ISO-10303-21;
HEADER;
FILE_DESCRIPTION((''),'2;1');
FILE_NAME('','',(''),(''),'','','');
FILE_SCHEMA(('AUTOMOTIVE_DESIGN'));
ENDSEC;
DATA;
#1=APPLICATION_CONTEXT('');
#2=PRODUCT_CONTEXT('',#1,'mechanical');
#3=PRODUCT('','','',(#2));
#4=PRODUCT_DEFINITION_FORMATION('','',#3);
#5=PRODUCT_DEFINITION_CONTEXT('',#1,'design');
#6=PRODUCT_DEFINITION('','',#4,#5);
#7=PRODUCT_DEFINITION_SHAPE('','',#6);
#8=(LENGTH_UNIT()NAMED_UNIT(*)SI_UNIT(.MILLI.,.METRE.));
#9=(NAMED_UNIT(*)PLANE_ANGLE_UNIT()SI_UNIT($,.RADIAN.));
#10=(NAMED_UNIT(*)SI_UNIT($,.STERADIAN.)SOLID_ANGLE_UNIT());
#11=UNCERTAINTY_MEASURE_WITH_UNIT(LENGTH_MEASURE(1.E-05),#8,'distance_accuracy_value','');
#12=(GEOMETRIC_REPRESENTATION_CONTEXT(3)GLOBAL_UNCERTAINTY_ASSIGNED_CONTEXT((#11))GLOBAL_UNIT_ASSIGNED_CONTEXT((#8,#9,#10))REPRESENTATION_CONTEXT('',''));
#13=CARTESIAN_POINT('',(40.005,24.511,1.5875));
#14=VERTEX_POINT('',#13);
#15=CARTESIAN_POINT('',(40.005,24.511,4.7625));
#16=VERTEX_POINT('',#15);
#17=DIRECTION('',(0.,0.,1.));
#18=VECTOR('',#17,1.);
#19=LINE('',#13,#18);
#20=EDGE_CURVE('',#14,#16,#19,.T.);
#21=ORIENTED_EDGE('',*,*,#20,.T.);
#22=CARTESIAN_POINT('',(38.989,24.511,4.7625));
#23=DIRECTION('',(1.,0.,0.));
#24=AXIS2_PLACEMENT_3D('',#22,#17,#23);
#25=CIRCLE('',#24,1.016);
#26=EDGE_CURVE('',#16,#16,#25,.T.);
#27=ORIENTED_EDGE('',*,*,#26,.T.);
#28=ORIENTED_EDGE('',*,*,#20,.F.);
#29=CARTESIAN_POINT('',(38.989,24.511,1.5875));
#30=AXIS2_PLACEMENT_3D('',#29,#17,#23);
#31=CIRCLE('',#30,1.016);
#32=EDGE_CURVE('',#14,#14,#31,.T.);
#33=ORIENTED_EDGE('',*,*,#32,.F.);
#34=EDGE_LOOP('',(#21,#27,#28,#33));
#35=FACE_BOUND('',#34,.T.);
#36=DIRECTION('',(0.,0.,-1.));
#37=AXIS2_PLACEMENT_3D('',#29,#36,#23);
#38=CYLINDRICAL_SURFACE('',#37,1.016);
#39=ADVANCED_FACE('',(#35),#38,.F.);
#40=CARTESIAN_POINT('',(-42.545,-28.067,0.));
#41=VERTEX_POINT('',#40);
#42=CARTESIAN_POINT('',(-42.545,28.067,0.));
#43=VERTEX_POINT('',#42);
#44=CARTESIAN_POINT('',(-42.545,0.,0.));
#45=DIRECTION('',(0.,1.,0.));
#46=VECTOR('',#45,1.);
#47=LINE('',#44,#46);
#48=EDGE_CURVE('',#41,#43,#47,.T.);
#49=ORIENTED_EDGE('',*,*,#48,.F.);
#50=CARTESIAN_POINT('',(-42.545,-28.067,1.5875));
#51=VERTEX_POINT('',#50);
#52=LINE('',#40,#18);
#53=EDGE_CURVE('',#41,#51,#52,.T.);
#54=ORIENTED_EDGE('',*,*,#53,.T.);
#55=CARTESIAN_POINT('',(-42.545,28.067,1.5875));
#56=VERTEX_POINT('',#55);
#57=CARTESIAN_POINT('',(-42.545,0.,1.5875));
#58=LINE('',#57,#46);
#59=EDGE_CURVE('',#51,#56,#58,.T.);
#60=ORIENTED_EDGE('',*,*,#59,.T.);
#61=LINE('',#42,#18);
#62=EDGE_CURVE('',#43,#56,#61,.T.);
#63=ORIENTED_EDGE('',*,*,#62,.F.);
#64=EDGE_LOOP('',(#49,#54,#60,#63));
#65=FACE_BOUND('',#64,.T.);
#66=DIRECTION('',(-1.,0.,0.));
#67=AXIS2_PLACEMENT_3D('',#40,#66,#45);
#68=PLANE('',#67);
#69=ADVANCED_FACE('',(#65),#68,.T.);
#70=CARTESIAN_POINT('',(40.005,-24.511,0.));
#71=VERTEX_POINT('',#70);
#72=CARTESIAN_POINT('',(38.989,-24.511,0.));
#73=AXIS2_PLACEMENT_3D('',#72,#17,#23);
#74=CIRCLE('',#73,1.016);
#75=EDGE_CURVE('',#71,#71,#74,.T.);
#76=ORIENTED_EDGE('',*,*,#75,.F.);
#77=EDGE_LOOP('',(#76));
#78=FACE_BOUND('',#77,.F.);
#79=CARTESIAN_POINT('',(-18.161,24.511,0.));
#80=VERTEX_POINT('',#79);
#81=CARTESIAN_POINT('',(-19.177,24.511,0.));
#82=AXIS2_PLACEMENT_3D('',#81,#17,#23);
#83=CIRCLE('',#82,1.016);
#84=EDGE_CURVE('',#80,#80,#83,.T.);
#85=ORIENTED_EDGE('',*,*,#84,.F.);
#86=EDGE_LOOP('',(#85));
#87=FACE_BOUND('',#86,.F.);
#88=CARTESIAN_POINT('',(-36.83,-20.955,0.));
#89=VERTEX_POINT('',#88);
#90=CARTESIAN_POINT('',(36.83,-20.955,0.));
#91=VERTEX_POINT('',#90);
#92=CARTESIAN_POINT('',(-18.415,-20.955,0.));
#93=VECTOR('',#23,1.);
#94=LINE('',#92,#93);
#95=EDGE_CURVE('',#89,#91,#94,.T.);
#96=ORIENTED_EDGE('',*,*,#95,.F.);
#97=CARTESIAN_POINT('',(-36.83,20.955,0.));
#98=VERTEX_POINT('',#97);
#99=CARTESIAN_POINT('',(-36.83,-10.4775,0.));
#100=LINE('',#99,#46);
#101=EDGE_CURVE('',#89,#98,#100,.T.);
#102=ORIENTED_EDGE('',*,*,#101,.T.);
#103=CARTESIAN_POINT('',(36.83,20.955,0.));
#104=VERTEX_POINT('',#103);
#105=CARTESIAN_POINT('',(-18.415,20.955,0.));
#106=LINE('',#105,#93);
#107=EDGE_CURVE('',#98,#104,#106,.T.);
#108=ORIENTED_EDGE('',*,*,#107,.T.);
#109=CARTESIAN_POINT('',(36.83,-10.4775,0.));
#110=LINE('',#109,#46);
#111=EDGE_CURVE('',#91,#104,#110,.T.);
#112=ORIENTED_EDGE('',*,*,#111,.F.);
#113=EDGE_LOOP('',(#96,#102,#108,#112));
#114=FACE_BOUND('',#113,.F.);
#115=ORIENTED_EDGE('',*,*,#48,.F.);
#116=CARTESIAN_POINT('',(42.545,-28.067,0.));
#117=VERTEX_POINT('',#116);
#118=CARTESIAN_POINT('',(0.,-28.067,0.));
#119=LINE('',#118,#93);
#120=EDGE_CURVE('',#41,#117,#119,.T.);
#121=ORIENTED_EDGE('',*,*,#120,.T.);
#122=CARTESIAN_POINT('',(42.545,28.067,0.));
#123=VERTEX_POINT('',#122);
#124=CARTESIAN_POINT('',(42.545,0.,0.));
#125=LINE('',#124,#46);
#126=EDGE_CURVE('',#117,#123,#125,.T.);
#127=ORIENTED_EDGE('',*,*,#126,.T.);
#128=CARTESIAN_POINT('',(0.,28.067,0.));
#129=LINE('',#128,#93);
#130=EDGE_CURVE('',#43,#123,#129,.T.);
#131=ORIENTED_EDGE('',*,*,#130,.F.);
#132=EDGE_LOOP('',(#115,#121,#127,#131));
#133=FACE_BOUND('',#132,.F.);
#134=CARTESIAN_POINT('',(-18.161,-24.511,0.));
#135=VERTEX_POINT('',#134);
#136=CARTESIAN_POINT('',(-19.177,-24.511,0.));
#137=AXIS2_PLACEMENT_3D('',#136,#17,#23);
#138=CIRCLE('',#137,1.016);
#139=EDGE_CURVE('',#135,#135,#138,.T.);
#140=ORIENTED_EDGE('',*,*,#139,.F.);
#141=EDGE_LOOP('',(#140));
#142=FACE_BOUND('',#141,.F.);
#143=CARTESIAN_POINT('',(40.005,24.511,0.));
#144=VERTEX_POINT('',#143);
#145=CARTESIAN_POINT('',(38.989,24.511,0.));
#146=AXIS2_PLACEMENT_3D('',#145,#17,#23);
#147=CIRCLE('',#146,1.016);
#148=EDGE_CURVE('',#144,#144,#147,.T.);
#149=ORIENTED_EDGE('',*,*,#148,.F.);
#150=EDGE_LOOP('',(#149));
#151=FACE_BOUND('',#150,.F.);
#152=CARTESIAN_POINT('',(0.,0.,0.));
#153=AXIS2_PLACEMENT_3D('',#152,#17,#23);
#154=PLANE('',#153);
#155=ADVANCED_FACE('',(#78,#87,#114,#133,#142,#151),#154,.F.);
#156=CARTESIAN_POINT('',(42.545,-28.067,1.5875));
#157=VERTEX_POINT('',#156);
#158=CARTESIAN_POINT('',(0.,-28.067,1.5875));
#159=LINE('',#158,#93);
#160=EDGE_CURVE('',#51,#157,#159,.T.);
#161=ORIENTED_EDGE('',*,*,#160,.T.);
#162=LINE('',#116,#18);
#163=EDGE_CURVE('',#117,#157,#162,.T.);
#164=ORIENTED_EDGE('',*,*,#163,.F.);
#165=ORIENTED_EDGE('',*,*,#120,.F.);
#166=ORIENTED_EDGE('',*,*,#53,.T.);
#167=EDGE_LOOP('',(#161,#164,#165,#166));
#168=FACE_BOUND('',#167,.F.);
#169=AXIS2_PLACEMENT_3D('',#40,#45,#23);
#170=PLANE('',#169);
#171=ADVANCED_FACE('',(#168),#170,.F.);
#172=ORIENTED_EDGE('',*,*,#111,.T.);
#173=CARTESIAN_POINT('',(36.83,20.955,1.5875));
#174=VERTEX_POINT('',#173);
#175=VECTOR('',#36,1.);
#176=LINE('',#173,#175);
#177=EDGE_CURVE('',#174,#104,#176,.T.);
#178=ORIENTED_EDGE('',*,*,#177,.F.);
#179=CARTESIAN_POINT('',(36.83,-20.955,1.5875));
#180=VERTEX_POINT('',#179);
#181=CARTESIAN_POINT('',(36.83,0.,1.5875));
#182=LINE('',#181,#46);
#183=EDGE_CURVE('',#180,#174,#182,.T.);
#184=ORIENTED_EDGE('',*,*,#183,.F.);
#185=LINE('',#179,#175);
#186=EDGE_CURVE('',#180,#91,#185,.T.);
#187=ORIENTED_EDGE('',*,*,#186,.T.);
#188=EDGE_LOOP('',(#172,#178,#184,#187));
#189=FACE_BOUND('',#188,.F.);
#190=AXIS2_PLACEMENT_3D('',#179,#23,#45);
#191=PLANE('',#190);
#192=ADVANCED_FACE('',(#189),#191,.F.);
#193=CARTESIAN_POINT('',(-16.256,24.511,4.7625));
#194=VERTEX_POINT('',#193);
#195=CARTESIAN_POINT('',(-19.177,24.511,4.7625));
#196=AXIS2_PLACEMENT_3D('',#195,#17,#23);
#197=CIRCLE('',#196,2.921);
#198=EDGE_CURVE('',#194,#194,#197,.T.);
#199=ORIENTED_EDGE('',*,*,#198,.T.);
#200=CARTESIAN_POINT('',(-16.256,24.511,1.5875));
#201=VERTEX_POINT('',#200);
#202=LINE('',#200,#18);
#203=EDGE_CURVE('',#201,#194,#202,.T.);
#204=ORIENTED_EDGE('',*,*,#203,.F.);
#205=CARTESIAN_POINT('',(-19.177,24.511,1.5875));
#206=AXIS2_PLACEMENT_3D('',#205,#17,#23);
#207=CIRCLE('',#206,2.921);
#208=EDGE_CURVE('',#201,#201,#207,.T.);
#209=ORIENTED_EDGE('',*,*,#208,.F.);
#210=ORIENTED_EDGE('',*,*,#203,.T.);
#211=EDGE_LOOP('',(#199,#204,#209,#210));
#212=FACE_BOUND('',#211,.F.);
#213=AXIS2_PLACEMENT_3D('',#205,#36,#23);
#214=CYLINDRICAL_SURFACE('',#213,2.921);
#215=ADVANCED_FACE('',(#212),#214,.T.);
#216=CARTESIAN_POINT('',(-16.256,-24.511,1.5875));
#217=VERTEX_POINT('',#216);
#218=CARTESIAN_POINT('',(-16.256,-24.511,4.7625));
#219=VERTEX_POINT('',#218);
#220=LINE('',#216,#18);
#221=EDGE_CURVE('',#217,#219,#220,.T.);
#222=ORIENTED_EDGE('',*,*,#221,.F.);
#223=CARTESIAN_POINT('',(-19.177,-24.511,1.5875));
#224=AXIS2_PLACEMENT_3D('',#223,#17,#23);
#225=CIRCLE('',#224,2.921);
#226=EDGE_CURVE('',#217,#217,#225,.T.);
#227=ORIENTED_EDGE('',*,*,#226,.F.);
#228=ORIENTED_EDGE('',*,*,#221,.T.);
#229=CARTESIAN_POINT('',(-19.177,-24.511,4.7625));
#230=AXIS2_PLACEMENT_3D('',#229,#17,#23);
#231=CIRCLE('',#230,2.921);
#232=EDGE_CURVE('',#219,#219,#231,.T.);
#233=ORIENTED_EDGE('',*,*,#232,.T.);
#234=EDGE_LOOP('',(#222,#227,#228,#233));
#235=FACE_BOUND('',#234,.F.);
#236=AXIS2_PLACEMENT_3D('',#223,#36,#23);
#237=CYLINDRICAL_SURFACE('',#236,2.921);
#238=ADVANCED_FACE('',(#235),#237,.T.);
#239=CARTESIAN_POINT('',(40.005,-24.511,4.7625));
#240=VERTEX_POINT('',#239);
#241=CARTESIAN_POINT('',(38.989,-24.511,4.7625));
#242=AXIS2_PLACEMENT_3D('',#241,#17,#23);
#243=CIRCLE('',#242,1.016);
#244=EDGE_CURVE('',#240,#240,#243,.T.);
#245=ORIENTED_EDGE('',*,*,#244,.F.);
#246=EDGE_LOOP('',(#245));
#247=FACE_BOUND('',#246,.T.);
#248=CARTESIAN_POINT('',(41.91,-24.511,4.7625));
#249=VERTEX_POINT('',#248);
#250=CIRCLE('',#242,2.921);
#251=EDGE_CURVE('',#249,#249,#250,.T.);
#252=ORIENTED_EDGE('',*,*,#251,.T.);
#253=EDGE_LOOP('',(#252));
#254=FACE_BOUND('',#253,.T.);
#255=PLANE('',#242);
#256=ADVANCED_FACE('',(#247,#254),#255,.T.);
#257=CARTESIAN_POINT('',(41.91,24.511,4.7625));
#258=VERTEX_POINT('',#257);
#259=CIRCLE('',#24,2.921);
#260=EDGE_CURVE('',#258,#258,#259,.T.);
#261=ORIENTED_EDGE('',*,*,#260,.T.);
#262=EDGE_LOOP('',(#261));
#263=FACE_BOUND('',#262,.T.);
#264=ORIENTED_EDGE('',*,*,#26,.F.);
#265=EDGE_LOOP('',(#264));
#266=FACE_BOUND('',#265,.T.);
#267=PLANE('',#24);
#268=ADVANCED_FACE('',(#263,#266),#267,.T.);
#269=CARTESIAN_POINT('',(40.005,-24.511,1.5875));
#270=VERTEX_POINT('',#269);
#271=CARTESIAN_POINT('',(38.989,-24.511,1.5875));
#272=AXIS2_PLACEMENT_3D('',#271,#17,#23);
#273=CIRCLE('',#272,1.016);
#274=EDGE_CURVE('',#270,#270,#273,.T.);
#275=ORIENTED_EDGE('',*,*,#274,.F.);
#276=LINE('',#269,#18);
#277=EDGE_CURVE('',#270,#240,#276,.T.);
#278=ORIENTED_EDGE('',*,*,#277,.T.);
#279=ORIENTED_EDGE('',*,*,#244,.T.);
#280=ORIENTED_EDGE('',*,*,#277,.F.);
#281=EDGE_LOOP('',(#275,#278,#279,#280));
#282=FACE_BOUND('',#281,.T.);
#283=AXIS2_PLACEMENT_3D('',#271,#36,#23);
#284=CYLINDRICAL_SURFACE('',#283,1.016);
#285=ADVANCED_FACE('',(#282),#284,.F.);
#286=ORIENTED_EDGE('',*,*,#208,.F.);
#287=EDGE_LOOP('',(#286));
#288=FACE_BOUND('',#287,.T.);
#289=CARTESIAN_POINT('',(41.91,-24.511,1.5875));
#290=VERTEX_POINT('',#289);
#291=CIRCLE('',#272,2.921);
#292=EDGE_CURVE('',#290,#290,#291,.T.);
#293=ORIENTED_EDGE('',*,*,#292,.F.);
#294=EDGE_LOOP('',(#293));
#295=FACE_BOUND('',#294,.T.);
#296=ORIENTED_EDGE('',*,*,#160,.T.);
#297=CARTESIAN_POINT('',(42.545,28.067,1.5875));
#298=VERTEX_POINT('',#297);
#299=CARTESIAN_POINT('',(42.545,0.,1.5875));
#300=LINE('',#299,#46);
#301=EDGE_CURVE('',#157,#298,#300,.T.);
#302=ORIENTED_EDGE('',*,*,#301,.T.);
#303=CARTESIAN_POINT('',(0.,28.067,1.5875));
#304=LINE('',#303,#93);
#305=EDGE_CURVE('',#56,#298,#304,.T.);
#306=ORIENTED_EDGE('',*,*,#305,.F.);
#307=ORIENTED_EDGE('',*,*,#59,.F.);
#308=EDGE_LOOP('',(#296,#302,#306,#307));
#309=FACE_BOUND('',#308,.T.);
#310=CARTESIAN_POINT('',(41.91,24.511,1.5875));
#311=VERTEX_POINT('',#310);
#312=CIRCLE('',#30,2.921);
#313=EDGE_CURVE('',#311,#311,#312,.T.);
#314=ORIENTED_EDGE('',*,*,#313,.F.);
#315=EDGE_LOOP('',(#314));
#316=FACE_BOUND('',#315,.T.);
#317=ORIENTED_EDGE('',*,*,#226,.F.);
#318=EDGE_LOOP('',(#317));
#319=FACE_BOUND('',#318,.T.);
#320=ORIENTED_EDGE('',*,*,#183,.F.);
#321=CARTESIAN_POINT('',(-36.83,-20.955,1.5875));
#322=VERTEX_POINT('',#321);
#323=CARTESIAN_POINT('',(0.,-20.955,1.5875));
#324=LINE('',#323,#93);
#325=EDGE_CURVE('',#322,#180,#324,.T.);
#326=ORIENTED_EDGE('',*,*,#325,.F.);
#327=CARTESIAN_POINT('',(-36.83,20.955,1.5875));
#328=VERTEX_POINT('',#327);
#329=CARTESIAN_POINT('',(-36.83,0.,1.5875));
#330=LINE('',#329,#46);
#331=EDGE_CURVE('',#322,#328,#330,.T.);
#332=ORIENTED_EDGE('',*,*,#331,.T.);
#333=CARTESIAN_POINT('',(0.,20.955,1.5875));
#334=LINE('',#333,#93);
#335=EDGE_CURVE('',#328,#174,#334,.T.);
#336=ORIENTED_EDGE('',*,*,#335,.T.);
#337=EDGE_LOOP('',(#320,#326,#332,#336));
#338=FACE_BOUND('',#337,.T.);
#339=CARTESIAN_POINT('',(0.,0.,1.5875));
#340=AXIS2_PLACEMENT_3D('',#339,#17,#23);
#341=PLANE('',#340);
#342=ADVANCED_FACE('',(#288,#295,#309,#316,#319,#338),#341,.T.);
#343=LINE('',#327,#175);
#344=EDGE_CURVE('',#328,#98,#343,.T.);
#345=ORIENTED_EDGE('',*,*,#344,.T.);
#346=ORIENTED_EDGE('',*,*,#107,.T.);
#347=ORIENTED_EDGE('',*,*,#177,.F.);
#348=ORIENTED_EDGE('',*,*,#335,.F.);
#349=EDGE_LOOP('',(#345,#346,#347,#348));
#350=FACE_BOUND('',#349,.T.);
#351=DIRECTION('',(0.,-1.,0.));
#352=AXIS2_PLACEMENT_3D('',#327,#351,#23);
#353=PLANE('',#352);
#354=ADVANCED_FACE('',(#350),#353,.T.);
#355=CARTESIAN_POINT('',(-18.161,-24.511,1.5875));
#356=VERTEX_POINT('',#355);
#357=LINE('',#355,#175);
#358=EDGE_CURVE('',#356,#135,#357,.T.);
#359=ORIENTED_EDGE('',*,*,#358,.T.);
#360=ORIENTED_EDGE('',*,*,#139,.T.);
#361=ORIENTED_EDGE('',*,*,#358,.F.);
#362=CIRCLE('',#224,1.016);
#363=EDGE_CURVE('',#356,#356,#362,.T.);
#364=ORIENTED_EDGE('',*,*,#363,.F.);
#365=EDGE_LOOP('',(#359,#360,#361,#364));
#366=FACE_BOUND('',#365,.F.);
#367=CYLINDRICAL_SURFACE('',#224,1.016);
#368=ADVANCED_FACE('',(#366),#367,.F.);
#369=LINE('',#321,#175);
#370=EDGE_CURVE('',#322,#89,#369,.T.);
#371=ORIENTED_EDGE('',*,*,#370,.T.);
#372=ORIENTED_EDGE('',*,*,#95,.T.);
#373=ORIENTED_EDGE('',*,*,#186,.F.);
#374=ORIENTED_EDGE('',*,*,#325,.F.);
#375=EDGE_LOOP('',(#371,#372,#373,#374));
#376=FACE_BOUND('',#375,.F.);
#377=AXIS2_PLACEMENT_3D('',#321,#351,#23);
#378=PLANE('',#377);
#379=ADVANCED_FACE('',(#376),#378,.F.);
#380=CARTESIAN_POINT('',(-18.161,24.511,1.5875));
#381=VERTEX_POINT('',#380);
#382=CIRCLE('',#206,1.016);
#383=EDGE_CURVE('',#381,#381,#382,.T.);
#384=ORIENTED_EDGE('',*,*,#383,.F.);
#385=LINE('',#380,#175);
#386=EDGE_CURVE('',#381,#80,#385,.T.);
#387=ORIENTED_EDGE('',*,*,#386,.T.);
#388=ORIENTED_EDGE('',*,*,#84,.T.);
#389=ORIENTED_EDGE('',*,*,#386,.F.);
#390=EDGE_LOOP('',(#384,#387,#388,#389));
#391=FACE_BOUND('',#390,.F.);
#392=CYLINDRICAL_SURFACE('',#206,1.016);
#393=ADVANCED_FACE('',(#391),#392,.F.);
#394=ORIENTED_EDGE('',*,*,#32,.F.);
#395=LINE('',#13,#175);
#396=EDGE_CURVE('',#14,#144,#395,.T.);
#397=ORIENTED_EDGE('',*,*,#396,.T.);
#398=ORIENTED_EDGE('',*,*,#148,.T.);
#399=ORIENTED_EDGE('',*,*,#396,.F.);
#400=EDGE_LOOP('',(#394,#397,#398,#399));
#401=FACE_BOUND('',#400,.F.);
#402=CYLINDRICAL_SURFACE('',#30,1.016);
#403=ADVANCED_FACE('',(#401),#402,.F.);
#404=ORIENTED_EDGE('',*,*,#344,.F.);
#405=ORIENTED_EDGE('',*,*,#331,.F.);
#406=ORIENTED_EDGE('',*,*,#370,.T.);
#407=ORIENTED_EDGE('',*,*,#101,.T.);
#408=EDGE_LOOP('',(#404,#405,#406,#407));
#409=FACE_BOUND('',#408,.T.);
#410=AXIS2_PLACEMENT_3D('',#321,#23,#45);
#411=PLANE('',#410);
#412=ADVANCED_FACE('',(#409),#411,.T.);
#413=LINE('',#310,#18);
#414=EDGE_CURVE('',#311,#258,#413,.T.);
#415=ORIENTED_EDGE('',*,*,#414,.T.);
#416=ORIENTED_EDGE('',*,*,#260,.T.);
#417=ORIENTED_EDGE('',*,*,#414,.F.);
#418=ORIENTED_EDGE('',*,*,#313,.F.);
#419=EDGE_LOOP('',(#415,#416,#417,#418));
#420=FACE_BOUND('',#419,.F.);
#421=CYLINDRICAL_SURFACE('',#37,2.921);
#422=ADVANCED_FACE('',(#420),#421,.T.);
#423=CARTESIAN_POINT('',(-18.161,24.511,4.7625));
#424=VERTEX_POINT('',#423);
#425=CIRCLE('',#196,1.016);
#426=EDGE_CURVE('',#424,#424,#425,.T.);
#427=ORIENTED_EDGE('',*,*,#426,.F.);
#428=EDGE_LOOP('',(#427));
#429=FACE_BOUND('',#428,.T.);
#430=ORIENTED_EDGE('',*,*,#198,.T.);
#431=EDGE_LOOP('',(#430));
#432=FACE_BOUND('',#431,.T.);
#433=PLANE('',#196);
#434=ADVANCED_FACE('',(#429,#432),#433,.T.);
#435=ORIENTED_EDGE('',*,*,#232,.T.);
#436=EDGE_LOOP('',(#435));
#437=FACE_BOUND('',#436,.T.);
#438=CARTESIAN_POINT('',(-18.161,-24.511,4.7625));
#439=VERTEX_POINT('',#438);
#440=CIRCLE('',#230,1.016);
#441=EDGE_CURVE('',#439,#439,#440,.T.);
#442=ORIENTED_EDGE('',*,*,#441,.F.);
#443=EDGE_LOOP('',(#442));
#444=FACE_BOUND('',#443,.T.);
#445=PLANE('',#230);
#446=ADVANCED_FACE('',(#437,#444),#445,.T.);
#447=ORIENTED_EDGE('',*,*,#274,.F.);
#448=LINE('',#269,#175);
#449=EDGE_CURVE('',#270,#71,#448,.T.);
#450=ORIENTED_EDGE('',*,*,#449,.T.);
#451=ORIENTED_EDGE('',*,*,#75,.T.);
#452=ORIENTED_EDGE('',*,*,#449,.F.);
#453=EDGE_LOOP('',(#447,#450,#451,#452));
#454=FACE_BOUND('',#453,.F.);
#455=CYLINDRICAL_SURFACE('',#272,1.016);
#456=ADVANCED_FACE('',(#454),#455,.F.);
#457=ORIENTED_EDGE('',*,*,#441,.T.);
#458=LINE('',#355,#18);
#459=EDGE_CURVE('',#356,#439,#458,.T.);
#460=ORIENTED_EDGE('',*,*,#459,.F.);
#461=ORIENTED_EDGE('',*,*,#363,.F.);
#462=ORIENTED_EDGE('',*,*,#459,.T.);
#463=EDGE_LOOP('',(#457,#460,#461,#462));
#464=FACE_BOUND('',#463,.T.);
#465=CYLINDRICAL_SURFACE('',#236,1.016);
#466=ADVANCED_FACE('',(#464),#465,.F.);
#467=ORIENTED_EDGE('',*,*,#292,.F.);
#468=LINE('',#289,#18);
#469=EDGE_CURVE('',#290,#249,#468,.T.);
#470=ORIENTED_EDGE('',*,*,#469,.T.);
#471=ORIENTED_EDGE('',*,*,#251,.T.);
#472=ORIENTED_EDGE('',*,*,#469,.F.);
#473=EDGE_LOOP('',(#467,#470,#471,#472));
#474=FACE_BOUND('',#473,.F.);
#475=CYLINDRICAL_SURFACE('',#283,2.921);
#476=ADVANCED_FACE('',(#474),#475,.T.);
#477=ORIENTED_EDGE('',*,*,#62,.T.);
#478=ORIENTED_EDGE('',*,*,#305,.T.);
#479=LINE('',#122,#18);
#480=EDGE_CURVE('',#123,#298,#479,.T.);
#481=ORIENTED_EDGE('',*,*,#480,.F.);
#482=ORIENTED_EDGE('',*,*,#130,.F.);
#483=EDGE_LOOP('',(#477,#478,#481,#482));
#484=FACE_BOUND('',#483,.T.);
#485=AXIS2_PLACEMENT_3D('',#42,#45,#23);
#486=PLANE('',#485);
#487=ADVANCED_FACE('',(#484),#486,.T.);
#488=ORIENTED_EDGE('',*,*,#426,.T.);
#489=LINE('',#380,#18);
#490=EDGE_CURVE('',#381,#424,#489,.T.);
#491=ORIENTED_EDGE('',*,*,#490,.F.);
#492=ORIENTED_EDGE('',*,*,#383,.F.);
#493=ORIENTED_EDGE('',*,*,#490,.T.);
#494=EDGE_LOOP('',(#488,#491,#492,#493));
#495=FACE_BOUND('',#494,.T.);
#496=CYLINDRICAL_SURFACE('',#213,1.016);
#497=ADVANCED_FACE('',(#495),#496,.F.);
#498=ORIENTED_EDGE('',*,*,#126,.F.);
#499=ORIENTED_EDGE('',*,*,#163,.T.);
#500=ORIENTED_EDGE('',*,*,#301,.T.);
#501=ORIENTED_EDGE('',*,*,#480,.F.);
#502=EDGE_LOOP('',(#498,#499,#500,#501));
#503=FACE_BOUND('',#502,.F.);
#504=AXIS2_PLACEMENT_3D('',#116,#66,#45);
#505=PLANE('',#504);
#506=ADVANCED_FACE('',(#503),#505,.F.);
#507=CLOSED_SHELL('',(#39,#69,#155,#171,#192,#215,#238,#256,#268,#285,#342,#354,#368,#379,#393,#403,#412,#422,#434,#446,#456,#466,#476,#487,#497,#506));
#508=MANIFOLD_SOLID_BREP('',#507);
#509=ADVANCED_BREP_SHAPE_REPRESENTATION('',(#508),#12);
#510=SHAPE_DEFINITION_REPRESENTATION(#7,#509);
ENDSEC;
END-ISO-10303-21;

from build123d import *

# Parameters (mm, degrees)
F0_W     = 85.09
F0_H     = 56.134
F1_DEPTH = 1.5875
F2_W     = 73.66
F2_H     = 41.91
F3_DEPTH = 6.35
F4_R     = 2.921
F4_R_2   = 1.016
F5_DEPTH = 3.175
F6_DEPTH = 6.35


with BuildPart() as f1:
    # F0 (on Top) → F1 (new body)
    with BuildSketch(Plane.XY):
        Rectangle(F0_W, F0_H)
    extrude(amount=F1_DEPTH)

    # F2 (on face) → F3 (cut)
    with BuildSketch(Plane.XY.offset(1.5875)):
        Rectangle(F2_W, F2_H)
    extrude(amount=-F3_DEPTH, mode=Mode.SUBTRACT)

    # F4 (on face) → F5 (join)
    with BuildSketch(Plane.XY.offset(1.5875)):
        with Locations((38.989, 24.511)):
            Circle(F4_R)
        with Locations((38.989, 24.511)):
            Circle(F4_R_2, mode=Mode.SUBTRACT)
        with Locations((38.989, -24.511)):
            Circle(F4_R)
        with Locations((38.989, -24.511)):
            Circle(F4_R_2, mode=Mode.SUBTRACT)
        with Locations((-19.177, 24.511)):
            Circle(F4_R)
        with Locations((-19.177, 24.511)):
            Circle(F4_R_2, mode=Mode.SUBTRACT)
        with Locations((-19.177, -24.511)):
            Circle(F4_R)
        with Locations((-19.177, -24.511)):
            Circle(F4_R_2, mode=Mode.SUBTRACT)
    extrude(amount=F5_DEPTH)

    # F4 (on face) → F6 (cut)
    with BuildSketch(Plane.XY.offset(1.5875)):
        with Locations((38.989, -24.511)):
            Circle(F4_R_2)
        with Locations((-19.177, 24.511)):
            Circle(F4_R_2)
        with Locations((38.989, 24.511)):
            Circle(F4_R_2)
        with Locations((-19.177, -24.511)):
            Circle(F4_R_2)
    extrude(amount=-F6_DEPTH, mode=Mode.SUBTRACT)


solid = f1.part
